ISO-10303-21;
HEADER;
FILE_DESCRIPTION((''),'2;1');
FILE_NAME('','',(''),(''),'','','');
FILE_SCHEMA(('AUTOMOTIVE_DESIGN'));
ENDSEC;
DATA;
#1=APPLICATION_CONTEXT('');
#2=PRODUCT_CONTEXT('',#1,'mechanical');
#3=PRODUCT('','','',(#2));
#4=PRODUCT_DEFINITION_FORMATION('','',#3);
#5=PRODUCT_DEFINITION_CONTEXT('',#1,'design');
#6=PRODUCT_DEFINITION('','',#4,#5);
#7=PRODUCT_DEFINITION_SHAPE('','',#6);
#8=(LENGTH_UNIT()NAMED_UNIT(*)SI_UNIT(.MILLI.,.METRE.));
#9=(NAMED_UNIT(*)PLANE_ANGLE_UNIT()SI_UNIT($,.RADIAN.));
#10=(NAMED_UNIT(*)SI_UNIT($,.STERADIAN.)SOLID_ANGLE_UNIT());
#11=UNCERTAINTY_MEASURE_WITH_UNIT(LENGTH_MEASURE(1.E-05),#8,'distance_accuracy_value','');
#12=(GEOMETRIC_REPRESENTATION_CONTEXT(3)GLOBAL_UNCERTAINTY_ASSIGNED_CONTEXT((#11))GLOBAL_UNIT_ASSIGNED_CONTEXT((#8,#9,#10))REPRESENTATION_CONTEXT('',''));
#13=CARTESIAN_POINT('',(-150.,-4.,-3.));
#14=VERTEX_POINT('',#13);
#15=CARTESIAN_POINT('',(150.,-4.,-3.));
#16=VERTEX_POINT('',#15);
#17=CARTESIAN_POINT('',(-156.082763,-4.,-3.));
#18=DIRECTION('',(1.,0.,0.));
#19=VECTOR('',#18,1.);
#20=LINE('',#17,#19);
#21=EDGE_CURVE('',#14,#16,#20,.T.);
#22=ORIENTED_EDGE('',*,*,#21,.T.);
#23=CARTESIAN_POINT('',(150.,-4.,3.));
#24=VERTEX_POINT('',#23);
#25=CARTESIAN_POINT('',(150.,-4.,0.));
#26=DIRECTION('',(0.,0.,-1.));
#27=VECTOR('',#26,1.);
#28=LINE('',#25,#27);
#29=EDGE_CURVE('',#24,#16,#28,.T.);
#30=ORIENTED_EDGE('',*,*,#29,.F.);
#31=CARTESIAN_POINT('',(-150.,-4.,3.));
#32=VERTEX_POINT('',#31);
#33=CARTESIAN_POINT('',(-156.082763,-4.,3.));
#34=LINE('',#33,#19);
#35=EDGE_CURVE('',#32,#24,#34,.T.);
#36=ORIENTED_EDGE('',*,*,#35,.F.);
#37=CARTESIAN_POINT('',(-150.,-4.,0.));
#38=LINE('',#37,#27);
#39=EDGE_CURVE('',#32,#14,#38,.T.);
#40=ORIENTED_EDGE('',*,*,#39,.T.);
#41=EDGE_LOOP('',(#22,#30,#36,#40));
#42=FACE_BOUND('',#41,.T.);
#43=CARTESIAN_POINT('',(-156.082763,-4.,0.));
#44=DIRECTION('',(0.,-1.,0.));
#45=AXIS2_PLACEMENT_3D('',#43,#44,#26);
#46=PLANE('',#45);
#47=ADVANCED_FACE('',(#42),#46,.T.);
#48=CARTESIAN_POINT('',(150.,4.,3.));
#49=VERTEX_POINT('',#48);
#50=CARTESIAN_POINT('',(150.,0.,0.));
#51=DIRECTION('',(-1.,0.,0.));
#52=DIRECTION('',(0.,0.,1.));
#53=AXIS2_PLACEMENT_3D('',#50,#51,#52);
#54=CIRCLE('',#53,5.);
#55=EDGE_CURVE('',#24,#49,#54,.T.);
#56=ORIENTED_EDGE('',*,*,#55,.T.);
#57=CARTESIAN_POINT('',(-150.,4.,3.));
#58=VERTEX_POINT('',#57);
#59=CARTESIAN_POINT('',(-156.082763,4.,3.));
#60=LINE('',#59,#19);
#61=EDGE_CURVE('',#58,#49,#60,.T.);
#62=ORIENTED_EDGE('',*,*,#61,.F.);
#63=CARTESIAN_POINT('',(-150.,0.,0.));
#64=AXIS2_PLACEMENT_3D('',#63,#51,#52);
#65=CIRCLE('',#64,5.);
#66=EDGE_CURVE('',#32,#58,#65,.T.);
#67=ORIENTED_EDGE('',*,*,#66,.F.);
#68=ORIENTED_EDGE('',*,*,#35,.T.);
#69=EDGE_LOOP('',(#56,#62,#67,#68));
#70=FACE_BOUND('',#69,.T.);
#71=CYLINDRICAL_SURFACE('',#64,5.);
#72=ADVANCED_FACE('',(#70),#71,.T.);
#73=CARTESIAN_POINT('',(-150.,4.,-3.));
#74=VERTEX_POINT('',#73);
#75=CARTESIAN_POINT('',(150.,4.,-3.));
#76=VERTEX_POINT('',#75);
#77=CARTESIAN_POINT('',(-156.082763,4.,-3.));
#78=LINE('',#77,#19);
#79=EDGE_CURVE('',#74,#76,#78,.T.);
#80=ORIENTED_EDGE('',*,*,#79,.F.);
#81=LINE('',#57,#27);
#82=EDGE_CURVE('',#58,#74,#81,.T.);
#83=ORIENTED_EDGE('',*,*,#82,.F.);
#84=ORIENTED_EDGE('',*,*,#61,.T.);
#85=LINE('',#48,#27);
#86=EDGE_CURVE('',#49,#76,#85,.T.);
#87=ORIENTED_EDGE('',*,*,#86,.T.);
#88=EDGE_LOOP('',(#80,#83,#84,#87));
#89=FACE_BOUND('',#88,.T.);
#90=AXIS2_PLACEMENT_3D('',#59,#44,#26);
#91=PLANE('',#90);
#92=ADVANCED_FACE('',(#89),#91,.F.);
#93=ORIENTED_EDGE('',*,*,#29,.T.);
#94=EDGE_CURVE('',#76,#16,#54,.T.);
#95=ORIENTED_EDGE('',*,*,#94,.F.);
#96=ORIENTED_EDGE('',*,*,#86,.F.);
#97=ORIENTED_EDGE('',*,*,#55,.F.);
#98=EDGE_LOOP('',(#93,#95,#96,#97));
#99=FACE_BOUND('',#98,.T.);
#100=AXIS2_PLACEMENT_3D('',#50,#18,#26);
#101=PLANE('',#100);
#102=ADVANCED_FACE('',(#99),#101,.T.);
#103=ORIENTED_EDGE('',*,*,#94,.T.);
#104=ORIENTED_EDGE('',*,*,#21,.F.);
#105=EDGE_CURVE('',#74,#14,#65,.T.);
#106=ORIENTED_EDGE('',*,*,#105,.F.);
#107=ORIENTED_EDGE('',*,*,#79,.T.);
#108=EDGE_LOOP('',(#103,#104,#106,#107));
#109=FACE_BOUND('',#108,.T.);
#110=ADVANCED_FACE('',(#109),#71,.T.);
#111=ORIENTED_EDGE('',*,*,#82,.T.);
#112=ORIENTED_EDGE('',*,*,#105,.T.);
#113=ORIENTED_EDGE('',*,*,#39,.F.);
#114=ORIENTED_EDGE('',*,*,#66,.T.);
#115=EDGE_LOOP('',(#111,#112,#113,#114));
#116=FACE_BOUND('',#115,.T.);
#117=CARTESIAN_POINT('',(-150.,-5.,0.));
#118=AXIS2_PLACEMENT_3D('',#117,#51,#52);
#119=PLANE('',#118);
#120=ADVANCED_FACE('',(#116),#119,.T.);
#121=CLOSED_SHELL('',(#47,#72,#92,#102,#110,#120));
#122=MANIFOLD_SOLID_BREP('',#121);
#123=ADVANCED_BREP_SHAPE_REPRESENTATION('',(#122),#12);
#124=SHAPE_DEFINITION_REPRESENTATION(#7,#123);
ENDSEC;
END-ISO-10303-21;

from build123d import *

# Parameters (mm, degrees)
SKETCH1_W          = 300
SKETCH1_H          = 5
CUT_EXTRUDE1_START = -300
CUT_EXTRUDE1_DEPTH = 300


with BuildPart() as part:
    # Sketch1 → Revolve1 (revolve)
    with BuildSketch(Plane.XY, mode=Mode.PRIVATE) as revolve1_sk:
        with Locations((0, -2.5)):
            Rectangle(SKETCH1_W, SKETCH1_H)
    revolve(revolve1_sk.sketch.rotate(Axis((-150, 0, 0), (1, 0, 0)), 270), axis=Axis((-150, 0, 0), (1, 0, 0)))

    # Sketch2 → Cut-Extrude1 (cut)
    with BuildSketch(Plane(origin=(150, 0, 0), x_dir=(0, 0, -1), z_dir=(1, 0, 0)).offset(CUT_EXTRUDE1_START)):
        with BuildLine():
            Line((3, -4), (-3, -4))
            ThreePointArc((-3, -4), (0, -5), (3, -4))
        make_face()
        with BuildLine():
            ThreePointArc((-3, 4), (0, 5), (3, 4))
            Line((3, 4), (-3, 4))
        make_face()
    extrude(amount=CUT_EXTRUDE1_DEPTH, mode=Mode.SUBTRACT)


solid = part.part
